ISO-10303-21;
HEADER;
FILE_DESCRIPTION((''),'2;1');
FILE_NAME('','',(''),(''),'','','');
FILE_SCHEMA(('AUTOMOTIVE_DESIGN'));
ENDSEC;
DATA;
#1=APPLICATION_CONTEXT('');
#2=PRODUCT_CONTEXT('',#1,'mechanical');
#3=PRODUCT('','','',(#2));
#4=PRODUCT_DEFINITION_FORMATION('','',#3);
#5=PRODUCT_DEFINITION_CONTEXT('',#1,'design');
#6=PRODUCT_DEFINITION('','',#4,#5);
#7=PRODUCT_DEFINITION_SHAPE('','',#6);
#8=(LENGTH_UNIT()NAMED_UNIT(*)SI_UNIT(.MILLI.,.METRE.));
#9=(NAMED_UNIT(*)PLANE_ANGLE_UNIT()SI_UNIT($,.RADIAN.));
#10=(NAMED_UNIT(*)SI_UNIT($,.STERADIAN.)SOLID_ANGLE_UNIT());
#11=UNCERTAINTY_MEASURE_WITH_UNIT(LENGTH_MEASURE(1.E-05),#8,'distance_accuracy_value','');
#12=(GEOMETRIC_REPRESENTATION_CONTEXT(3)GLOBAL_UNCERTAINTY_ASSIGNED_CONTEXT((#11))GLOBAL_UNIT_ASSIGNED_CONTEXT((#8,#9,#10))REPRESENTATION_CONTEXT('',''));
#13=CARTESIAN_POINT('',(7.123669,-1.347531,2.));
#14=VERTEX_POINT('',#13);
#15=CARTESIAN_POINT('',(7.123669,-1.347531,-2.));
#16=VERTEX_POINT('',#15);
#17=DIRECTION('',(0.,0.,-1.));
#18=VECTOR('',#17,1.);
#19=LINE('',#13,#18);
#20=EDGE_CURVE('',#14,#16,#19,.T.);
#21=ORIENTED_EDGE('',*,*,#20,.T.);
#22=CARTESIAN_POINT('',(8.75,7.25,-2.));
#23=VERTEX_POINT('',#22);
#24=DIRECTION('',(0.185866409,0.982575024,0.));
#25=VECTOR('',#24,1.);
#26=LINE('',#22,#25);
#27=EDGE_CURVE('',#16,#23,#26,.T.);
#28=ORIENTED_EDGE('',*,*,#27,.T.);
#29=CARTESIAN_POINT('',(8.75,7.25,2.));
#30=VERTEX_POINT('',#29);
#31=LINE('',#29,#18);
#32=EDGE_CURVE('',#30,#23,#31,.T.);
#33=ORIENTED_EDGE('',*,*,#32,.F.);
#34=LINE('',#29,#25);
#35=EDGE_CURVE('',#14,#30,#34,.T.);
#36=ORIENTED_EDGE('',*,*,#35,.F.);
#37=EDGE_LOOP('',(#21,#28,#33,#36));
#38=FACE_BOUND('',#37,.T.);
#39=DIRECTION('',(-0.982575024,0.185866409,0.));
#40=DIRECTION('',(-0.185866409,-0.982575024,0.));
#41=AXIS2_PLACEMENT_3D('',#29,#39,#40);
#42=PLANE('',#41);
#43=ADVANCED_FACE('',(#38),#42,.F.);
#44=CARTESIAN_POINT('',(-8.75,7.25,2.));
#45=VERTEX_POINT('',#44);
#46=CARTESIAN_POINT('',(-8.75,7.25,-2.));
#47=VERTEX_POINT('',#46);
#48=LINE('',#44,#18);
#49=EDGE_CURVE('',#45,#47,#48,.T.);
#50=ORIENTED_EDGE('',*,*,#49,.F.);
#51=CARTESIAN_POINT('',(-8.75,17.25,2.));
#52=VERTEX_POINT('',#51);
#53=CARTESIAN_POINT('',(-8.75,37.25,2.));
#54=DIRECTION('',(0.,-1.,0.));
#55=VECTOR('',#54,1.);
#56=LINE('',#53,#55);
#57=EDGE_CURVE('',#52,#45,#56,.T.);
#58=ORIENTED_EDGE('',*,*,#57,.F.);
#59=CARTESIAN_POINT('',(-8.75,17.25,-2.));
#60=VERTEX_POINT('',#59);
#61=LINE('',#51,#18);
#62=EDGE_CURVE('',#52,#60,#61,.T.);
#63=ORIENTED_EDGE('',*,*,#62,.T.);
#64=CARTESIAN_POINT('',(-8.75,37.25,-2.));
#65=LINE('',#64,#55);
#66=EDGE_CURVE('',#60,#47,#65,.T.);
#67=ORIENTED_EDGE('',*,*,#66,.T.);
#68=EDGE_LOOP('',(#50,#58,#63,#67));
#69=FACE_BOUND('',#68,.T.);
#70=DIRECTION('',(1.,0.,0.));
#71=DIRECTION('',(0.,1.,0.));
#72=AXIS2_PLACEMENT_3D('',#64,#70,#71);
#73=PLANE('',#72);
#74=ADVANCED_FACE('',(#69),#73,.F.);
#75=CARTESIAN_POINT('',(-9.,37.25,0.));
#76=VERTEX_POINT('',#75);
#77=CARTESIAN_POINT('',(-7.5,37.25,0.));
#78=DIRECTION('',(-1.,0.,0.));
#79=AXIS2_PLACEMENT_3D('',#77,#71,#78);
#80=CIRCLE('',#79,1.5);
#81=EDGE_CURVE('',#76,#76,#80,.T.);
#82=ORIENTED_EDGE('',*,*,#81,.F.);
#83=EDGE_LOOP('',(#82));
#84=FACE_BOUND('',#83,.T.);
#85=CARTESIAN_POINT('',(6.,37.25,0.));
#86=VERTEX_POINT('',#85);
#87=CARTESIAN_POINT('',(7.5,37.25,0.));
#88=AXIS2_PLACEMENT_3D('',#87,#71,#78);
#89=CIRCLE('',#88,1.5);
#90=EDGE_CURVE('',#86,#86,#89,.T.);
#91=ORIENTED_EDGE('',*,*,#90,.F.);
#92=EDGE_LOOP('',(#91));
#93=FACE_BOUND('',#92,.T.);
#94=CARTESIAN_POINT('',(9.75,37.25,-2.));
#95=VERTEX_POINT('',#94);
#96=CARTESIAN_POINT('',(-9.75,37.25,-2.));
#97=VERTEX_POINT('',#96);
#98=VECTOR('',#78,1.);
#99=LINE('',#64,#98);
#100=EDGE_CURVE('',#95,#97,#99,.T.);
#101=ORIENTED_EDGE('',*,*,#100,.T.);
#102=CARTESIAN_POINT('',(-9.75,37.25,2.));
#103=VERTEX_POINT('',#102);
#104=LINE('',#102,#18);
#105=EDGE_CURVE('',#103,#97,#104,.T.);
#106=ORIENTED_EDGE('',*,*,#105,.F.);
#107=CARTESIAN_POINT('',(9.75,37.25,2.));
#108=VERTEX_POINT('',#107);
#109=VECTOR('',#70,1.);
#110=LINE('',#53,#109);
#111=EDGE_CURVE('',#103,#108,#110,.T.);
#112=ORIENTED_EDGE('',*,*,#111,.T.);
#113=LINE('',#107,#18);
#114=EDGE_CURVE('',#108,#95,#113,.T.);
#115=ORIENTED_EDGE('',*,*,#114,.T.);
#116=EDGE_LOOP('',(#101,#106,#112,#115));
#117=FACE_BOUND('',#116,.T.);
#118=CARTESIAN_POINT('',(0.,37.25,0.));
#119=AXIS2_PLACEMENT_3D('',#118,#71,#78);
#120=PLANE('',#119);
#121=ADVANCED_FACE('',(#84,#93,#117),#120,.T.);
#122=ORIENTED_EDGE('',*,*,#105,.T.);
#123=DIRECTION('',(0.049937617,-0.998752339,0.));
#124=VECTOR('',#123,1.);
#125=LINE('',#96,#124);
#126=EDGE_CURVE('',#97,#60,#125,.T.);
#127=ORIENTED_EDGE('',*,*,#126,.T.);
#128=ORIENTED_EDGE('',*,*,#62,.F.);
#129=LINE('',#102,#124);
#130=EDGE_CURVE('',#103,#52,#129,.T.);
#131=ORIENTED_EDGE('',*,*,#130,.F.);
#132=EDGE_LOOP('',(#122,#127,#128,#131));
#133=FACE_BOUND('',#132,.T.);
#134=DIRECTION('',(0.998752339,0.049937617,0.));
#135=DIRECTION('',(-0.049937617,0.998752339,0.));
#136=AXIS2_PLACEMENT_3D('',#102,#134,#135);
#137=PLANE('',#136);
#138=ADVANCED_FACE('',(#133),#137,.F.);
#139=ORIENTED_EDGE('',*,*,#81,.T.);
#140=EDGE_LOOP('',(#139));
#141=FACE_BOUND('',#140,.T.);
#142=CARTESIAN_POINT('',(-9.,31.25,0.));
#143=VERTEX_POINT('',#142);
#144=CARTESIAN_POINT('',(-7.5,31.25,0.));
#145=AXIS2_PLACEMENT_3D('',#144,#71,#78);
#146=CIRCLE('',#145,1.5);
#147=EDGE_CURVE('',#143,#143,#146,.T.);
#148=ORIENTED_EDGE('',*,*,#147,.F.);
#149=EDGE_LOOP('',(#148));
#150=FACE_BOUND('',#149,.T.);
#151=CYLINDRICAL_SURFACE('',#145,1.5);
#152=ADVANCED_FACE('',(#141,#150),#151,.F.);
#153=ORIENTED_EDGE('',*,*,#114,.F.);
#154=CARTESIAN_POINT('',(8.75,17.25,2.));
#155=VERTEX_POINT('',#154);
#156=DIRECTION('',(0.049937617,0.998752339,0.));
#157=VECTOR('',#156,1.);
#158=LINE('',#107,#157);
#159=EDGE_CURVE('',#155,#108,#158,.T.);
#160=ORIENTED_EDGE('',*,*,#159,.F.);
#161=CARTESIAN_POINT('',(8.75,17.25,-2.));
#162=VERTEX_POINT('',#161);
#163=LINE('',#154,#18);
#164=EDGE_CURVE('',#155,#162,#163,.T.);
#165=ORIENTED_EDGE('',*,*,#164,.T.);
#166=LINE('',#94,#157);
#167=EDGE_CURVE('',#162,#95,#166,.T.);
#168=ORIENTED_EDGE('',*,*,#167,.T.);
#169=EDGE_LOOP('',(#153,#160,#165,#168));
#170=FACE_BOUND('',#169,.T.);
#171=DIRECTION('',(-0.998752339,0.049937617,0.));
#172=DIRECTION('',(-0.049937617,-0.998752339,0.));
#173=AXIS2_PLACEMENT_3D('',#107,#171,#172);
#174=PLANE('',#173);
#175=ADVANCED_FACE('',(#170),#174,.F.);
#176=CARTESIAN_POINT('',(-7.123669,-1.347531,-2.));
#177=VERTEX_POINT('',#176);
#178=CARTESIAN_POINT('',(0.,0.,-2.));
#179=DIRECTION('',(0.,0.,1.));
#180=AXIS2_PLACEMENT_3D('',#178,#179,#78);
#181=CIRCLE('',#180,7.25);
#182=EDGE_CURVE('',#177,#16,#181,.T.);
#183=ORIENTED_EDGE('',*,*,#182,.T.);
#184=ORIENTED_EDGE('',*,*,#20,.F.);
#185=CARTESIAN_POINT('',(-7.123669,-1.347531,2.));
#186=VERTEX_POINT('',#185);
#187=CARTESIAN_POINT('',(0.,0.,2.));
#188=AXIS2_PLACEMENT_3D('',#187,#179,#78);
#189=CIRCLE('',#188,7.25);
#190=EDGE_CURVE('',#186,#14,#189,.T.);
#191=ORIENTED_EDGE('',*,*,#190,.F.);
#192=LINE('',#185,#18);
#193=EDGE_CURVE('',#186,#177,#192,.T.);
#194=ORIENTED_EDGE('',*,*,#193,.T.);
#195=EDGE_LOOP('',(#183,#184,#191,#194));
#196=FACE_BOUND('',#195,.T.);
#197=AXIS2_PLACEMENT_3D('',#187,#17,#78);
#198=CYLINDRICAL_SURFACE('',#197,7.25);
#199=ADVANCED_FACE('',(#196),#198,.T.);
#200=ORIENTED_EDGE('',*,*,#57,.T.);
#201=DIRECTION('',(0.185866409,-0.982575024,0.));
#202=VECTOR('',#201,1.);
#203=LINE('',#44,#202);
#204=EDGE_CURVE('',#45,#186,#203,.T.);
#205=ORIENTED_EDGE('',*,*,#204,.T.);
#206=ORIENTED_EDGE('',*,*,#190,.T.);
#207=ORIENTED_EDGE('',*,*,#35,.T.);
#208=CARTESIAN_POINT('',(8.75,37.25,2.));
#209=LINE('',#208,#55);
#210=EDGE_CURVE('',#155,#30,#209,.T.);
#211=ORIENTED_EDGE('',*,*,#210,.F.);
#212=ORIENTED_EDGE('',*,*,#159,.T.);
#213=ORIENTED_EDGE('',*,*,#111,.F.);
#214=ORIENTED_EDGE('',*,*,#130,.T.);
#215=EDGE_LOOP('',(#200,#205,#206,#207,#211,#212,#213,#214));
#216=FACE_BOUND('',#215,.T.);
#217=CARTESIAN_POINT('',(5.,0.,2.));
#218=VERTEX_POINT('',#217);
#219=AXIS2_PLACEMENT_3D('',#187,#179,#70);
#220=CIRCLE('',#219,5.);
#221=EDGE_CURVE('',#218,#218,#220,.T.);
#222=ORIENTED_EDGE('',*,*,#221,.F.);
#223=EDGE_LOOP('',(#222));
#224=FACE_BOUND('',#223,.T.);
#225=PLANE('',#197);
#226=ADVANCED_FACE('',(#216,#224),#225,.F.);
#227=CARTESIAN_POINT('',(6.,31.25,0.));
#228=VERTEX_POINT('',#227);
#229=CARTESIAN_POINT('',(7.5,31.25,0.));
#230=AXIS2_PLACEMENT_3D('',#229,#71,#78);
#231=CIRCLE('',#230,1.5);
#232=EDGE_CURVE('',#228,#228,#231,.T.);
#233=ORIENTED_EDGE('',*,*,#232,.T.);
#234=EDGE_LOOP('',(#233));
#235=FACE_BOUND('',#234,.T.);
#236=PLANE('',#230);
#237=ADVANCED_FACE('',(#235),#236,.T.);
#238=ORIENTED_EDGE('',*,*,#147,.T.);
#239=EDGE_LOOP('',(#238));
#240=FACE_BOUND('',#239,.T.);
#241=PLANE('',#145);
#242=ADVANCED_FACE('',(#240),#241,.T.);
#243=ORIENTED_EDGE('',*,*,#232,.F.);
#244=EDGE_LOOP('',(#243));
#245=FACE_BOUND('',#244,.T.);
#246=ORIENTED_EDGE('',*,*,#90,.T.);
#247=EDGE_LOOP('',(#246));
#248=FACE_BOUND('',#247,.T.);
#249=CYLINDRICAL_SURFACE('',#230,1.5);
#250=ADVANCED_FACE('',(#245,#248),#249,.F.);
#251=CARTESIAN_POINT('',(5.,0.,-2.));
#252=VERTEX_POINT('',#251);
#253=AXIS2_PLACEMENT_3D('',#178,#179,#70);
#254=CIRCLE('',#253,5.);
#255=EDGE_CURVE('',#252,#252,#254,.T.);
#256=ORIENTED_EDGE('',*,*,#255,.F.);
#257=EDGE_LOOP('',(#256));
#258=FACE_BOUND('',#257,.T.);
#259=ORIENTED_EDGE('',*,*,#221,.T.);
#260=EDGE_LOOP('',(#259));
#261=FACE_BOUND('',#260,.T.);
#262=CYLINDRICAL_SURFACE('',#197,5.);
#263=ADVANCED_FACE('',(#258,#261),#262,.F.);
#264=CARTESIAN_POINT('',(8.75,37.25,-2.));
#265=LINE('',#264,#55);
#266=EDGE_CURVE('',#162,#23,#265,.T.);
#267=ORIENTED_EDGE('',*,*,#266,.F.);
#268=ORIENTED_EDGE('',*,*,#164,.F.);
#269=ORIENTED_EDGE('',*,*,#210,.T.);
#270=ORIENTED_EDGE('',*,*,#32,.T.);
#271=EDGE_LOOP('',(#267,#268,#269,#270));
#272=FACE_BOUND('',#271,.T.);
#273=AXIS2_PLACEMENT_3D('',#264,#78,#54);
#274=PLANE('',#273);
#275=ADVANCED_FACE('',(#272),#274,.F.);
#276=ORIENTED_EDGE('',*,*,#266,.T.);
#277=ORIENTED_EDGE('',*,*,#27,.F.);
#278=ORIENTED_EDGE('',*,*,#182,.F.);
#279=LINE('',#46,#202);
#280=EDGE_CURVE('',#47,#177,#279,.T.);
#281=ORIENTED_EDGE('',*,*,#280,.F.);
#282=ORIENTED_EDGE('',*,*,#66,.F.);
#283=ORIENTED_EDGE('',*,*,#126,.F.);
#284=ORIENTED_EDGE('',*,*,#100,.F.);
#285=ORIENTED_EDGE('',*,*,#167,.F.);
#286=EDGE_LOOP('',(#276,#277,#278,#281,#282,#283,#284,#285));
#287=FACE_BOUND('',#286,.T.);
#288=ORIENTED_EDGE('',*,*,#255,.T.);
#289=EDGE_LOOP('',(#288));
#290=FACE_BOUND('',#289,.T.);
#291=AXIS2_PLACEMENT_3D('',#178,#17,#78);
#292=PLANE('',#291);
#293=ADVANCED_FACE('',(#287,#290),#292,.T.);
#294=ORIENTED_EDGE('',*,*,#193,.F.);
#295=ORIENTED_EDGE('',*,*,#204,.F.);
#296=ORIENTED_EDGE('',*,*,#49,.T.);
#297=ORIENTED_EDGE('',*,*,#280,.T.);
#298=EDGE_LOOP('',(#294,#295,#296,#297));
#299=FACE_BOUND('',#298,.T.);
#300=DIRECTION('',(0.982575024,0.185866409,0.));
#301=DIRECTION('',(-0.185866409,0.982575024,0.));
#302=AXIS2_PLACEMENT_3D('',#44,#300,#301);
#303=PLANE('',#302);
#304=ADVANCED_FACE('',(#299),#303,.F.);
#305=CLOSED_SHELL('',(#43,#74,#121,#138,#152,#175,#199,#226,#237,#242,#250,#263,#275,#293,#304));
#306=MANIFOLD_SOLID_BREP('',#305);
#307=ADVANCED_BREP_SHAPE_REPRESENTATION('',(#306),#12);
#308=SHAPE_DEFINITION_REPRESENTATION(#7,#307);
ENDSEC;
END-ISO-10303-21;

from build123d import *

# Parameters (mm, degrees)
SKETCH1_R           = 5
BOSS_EXTRUDE1_DEPTH = 2
SKETCH2_W           = 17.5
SKETCH2_H           = 4
BOSS_EXTRUDE2_DEPTH = 30
BOSS_EXTRUDE3_DEPTH = 2
SKETCH3_R           = 1.5
CUT_EXTRUDE1_DEPTH  = 6


with BuildPart() as part:
    # Sketch1 → Boss-Extrude1 (new, symmetric)
    with BuildSketch(Plane.XY):
        with BuildLine():
            Line((8.75, 7.25), (-8.75, 7.25))
            Line((-8.75, 7.25), (-7.123668925, -1.347531462))
            ThreePointArc((-7.123668925, -1.347531462), (0, -7.25), (7.123668925, -1.347531462))
            Line((7.123668925, -1.347531462), (8.75, 7.25))
        make_face()
        Circle(SKETCH1_R, mode=Mode.SUBTRACT)
    extrude(amount=BOSS_EXTRUDE1_DEPTH, both=True)

    # Sketch2 → Boss-Extrude2 (add)
    with BuildSketch(Plane(origin=(0, 7.25, 0), x_dir=(1, 0, 0), z_dir=(0, 1, 0))):
        Rectangle(SKETCH2_W, SKETCH2_H)
    extrude(amount=BOSS_EXTRUDE2_DEPTH)

    # Sketch4 → Boss-Extrude3 (add, symmetric)
    with BuildSketch(Plane.XY):
        Polygon((-8.75, 37.25), (-9.75, 37.25), (-8.75, 17.25), align=None)
        Polygon((8.75, 37.25), (9.75, 37.25), (8.75, 17.25), align=None)
    extrude(amount=BOSS_EXTRUDE3_DEPTH, both=True)

    # Sketch3 → Cut-Extrude1 (cut)
    with BuildSketch(Plane(origin=(0, 37.25, 0), x_dir=(1, 0, 0), z_dir=(0, 1, 0))):
        with Locations(Location((-7.5, 0, 0), (0, 0, 180))):
            Circle(SKETCH3_R)
        with Locations(Location((7.5, 0, 0), (0, 0, 180))):
            Circle(SKETCH3_R)
    extrude(amount=-CUT_EXTRUDE1_DEPTH, mode=Mode.SUBTRACT)


solid = part.part
